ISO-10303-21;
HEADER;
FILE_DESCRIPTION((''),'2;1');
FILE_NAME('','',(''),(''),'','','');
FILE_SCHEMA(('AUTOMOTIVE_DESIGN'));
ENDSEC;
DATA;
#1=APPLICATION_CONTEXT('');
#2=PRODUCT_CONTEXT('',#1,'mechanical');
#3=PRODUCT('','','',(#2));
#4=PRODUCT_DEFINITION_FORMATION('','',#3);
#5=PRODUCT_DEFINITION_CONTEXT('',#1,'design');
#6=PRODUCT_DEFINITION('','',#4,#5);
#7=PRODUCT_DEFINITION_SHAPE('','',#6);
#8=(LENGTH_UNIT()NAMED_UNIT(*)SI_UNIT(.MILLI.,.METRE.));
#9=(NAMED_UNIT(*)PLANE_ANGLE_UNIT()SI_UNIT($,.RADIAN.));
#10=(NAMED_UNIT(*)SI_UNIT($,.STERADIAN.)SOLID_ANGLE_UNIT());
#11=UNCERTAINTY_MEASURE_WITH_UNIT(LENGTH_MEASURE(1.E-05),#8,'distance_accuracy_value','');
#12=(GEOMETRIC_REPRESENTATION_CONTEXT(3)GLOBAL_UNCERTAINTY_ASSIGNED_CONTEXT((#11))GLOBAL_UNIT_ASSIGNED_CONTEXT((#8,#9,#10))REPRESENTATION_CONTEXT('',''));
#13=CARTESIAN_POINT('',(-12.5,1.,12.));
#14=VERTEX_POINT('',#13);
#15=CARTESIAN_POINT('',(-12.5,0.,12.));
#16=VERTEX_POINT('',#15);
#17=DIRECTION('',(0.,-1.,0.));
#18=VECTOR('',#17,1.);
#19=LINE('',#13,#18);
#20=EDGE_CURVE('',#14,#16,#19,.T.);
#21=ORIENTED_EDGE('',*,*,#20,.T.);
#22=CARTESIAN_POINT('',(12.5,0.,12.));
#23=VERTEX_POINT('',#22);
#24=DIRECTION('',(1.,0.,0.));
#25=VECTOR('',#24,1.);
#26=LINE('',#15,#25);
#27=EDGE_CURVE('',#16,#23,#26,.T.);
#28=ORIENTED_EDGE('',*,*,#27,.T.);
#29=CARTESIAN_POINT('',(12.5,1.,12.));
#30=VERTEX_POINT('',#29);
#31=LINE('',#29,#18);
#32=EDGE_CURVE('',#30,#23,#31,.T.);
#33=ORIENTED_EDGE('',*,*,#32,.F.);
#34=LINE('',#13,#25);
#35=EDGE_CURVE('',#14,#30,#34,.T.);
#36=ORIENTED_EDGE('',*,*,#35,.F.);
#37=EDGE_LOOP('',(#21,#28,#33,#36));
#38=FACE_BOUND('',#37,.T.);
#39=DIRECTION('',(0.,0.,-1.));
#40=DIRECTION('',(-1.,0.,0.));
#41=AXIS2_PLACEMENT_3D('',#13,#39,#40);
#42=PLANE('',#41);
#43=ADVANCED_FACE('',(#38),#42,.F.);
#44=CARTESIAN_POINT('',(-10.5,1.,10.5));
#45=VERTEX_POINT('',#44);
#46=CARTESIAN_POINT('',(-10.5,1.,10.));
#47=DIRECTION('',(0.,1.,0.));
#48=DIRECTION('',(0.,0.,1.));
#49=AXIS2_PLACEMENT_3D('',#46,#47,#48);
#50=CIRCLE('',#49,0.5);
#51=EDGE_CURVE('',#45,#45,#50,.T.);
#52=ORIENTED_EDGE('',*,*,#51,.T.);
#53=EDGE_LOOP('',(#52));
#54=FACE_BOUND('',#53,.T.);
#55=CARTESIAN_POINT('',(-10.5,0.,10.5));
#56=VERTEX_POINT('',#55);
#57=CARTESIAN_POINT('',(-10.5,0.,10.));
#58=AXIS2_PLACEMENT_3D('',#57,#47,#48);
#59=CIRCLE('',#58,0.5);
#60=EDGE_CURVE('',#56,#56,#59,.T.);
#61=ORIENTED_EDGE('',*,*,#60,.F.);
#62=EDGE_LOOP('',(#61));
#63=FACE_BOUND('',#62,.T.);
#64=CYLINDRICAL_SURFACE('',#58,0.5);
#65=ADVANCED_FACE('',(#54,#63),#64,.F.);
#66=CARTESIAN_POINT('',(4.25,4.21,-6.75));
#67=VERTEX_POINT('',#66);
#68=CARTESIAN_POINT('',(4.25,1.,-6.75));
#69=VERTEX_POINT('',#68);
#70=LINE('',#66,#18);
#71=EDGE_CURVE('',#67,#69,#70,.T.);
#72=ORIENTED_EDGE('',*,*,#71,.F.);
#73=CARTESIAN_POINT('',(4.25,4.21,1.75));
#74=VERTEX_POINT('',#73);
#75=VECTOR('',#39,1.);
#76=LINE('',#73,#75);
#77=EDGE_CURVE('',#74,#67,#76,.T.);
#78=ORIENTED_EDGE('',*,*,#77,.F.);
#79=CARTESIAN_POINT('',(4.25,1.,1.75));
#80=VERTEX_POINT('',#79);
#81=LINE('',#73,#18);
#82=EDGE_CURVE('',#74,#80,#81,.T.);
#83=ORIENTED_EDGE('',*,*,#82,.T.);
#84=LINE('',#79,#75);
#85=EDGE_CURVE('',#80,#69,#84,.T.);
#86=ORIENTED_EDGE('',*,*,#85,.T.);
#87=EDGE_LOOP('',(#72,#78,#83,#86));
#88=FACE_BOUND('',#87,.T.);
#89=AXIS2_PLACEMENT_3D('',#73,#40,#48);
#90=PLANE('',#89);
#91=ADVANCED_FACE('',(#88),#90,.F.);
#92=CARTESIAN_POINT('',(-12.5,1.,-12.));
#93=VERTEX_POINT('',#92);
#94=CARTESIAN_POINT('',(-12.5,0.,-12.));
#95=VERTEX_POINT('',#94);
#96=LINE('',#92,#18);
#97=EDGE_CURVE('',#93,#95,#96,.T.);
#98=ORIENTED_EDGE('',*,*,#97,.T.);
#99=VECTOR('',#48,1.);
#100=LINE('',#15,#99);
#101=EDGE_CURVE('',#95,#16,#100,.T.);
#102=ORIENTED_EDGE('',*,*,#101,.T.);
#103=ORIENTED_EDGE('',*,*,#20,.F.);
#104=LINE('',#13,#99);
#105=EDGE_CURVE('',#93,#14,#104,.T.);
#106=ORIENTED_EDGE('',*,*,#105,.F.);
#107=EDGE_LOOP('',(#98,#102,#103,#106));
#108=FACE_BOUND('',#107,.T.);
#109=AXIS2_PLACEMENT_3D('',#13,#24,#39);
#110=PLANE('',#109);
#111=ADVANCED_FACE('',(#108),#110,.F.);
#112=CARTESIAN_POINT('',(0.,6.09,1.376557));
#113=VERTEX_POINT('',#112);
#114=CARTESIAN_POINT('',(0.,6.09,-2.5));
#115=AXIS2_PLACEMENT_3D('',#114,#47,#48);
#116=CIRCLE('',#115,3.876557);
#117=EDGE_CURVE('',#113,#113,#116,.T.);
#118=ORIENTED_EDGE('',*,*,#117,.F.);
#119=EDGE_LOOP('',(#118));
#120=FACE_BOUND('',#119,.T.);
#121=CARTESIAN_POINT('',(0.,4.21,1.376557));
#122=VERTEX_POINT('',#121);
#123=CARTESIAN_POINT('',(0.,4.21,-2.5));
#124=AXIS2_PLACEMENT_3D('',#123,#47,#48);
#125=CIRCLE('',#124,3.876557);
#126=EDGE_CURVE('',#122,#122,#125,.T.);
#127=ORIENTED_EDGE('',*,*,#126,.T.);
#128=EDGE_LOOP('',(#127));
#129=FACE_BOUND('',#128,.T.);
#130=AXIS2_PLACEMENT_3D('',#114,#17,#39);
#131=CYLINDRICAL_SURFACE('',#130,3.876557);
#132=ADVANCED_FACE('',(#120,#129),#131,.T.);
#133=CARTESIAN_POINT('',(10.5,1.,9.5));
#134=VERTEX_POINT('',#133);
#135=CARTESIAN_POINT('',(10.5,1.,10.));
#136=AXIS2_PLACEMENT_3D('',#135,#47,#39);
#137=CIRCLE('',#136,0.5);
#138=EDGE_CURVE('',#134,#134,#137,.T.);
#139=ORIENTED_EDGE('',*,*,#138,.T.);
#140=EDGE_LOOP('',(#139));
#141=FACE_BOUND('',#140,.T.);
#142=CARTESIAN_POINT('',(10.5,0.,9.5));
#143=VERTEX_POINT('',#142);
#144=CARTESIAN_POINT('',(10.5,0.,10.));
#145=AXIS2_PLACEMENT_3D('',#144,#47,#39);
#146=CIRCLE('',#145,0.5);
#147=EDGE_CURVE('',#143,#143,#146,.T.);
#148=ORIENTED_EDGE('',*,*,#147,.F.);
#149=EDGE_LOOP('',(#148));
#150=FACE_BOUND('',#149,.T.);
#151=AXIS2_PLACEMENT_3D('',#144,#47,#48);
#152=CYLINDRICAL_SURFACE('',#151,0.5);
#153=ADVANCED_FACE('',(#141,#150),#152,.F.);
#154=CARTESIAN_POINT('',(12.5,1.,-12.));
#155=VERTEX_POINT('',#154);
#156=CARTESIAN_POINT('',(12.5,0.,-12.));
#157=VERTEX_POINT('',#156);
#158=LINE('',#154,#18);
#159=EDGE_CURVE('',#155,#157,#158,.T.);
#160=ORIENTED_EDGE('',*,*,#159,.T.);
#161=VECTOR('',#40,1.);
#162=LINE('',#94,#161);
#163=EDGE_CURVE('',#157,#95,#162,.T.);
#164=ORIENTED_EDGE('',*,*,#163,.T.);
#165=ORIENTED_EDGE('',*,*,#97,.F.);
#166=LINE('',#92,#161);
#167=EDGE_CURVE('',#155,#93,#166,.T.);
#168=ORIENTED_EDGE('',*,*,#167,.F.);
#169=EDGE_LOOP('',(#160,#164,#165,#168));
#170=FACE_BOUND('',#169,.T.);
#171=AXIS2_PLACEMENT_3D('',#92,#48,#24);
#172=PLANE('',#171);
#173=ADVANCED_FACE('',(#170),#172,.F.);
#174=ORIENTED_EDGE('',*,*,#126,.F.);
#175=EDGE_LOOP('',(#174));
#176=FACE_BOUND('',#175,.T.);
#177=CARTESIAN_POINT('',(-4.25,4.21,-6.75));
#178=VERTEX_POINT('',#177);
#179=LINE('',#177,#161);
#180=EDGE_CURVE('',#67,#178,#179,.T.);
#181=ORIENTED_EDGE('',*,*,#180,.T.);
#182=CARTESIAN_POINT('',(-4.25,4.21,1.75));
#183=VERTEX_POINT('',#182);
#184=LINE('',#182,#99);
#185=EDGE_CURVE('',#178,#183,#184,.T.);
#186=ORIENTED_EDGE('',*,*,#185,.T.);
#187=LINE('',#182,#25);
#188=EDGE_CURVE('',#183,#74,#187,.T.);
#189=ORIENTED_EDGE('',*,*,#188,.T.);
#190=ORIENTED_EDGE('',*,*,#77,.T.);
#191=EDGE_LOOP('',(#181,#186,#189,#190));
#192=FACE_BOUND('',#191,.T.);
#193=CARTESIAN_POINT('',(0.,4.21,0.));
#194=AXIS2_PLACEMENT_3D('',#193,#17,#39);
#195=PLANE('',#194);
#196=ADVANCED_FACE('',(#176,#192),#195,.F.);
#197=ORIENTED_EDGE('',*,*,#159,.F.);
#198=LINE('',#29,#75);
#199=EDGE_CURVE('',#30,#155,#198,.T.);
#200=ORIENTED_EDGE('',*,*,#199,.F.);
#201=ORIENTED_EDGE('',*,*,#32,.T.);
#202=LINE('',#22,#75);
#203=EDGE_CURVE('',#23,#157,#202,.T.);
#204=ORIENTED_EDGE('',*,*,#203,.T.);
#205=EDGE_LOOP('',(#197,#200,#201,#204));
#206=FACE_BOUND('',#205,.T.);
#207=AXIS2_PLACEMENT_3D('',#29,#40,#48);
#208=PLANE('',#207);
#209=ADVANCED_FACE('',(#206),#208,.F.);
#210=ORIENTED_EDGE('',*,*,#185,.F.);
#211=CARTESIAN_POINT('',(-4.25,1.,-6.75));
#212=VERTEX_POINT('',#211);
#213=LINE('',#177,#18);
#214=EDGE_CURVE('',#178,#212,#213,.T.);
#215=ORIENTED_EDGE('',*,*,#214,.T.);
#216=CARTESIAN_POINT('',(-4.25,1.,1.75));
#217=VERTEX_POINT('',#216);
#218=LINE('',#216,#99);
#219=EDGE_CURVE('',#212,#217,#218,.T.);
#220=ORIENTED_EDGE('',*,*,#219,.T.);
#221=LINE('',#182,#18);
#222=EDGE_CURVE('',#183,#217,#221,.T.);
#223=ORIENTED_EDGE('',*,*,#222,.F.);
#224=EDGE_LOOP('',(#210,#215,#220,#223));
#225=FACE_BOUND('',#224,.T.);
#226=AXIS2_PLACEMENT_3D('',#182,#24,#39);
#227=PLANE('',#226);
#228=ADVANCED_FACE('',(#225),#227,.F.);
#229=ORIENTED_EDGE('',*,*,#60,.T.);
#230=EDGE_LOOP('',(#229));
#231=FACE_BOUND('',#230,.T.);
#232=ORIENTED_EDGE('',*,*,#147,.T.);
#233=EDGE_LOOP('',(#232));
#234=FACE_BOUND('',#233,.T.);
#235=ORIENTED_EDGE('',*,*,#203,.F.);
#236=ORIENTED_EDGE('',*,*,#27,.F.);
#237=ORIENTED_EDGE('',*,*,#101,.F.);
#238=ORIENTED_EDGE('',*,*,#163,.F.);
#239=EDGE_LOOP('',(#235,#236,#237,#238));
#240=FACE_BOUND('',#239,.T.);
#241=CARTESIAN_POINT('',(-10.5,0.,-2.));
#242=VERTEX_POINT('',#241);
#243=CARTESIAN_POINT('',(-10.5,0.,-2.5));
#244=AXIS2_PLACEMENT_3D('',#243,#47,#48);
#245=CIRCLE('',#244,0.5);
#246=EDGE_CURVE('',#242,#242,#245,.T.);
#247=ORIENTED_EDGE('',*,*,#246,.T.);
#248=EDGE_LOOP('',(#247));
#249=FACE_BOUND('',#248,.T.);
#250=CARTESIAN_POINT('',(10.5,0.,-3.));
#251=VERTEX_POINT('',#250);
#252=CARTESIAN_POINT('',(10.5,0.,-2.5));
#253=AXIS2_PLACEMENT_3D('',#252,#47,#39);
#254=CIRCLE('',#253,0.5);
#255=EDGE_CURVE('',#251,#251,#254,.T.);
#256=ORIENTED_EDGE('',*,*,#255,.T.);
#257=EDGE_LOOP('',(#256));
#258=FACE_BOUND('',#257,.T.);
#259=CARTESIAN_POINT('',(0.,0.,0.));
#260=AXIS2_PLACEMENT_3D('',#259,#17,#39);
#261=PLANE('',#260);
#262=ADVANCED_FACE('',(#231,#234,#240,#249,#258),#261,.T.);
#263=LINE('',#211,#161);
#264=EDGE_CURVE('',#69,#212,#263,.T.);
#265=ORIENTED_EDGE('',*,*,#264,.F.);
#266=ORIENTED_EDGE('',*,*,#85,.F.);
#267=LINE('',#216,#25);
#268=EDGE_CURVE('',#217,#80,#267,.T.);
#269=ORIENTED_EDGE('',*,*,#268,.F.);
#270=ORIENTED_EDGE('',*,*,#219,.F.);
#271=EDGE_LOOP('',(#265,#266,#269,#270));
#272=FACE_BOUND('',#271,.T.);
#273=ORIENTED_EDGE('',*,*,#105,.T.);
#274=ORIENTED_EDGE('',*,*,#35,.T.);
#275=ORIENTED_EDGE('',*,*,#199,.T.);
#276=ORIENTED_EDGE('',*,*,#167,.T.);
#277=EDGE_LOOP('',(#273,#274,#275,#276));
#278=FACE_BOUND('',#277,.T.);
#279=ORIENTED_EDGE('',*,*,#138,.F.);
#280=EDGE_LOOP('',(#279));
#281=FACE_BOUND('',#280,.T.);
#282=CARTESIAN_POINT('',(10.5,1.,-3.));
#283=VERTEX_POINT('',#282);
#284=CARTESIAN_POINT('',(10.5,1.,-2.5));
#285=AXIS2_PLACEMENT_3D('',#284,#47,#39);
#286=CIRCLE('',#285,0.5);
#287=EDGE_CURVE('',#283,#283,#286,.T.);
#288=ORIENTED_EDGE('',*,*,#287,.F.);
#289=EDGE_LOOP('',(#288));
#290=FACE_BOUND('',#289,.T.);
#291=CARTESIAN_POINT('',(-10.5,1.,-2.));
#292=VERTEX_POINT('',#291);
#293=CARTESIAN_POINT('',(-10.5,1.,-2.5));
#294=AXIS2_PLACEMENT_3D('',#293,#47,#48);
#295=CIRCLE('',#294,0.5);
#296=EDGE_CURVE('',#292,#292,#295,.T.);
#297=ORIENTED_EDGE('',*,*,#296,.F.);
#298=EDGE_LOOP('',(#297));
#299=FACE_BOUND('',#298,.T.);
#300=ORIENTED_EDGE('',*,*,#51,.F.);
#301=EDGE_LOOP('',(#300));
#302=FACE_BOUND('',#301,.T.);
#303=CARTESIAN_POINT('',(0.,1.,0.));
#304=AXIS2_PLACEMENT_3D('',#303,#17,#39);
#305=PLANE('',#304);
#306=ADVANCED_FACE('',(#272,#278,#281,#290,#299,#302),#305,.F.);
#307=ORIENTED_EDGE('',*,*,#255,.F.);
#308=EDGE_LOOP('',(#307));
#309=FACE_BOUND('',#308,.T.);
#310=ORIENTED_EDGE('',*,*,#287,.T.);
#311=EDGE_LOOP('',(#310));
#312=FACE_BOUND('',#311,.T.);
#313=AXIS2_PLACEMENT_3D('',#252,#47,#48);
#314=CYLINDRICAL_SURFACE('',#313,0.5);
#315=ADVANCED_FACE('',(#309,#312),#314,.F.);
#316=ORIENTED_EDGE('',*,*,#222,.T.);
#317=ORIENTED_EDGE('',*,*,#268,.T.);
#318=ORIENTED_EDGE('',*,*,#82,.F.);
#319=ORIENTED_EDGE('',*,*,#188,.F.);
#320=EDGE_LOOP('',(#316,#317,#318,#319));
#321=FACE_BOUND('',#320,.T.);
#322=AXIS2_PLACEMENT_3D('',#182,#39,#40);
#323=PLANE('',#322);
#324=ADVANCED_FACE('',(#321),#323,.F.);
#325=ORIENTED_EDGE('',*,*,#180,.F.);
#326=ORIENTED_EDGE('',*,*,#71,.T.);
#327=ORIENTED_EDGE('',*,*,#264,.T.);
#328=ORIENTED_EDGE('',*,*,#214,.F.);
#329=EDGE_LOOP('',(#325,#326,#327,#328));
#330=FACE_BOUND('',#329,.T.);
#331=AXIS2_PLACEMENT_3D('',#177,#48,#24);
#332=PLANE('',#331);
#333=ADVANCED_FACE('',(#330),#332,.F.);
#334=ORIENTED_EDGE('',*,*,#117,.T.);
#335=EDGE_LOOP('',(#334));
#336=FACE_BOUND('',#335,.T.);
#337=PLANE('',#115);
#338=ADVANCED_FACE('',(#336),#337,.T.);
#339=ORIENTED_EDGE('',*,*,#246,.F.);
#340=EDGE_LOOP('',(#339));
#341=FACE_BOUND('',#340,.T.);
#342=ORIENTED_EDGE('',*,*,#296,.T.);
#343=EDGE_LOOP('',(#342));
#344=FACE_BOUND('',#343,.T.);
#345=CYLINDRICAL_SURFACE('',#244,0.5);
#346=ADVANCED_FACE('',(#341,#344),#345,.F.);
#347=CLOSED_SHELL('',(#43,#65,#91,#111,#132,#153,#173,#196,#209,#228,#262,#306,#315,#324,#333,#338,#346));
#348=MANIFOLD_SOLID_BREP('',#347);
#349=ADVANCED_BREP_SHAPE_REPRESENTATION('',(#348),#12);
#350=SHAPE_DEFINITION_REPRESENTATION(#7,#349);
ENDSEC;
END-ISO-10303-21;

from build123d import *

# Parameters (mm, degrees)
SKETCH1_W           = 25
SKETCH1_H           = 24
BOSS_EXTRUDE1_DEPTH = 1
SKETCH2_R           = 0.5
CUT_EXTRUDE1_DEPTH  = 18.356554958
SKETCH3_W           = 8.5
SKETCH3_H           = 8.5
BOSS_EXTRUDE2_DEPTH = 3.21
SKETCH4_R           = 3.876557288
BOSS_EXTRUDE3_DEPTH = 1.88


with BuildPart() as part:
    # Sketch1 → Boss-Extrude1 (new body)
    with BuildSketch(Plane(origin=(0, 0, 0), x_dir=(1, 0, 0), z_dir=(0, 1, 0))):
        Rectangle(SKETCH1_W, SKETCH1_H)
    extrude(amount=BOSS_EXTRUDE1_DEPTH)

    # Sketch2 → Cut-Extrude1 (cut, through all)
    with BuildSketch(Plane(origin=(0, 1, 0), x_dir=(1, 0, 0), z_dir=(0, 1, 0))):
        with Locations(Location((-10.5, -10, 0), (0, 0, 270))):
            Circle(SKETCH2_R)
        with Locations(Location((10.5, -10, 0), (0, 0, 90))):
            Circle(SKETCH2_R)
        with Locations(Location((-10.5, 2.5, 0), (0, 0, 270))):
            Circle(SKETCH2_R)
        with Locations(Location((10.5, 2.5, 0), (0, 0, 90))):
            Circle(SKETCH2_R)
    extrude(amount=-CUT_EXTRUDE1_DEPTH, mode=Mode.SUBTRACT)

    # Sketch3 → Boss-Extrude2 (add)
    with BuildSketch(Plane(origin=(0, 1, 0), x_dir=(1, 0, 0), z_dir=(0, 1, 0))):
        with Locations((0, 2.5)):
            Rectangle(SKETCH3_W, SKETCH3_H)
    extrude(amount=BOSS_EXTRUDE2_DEPTH)

    # Sketch4 → Boss-Extrude3 (add)
    with BuildSketch(Plane(origin=(0, 4.21, 0), x_dir=(1, 0, 0), z_dir=(0, 1, 0))):
        with Locations(Location((0, 2.5, 0), (0, 0, 270))):
            Circle(SKETCH4_R)
    extrude(amount=BOSS_EXTRUDE3_DEPTH)


solid = part.part
